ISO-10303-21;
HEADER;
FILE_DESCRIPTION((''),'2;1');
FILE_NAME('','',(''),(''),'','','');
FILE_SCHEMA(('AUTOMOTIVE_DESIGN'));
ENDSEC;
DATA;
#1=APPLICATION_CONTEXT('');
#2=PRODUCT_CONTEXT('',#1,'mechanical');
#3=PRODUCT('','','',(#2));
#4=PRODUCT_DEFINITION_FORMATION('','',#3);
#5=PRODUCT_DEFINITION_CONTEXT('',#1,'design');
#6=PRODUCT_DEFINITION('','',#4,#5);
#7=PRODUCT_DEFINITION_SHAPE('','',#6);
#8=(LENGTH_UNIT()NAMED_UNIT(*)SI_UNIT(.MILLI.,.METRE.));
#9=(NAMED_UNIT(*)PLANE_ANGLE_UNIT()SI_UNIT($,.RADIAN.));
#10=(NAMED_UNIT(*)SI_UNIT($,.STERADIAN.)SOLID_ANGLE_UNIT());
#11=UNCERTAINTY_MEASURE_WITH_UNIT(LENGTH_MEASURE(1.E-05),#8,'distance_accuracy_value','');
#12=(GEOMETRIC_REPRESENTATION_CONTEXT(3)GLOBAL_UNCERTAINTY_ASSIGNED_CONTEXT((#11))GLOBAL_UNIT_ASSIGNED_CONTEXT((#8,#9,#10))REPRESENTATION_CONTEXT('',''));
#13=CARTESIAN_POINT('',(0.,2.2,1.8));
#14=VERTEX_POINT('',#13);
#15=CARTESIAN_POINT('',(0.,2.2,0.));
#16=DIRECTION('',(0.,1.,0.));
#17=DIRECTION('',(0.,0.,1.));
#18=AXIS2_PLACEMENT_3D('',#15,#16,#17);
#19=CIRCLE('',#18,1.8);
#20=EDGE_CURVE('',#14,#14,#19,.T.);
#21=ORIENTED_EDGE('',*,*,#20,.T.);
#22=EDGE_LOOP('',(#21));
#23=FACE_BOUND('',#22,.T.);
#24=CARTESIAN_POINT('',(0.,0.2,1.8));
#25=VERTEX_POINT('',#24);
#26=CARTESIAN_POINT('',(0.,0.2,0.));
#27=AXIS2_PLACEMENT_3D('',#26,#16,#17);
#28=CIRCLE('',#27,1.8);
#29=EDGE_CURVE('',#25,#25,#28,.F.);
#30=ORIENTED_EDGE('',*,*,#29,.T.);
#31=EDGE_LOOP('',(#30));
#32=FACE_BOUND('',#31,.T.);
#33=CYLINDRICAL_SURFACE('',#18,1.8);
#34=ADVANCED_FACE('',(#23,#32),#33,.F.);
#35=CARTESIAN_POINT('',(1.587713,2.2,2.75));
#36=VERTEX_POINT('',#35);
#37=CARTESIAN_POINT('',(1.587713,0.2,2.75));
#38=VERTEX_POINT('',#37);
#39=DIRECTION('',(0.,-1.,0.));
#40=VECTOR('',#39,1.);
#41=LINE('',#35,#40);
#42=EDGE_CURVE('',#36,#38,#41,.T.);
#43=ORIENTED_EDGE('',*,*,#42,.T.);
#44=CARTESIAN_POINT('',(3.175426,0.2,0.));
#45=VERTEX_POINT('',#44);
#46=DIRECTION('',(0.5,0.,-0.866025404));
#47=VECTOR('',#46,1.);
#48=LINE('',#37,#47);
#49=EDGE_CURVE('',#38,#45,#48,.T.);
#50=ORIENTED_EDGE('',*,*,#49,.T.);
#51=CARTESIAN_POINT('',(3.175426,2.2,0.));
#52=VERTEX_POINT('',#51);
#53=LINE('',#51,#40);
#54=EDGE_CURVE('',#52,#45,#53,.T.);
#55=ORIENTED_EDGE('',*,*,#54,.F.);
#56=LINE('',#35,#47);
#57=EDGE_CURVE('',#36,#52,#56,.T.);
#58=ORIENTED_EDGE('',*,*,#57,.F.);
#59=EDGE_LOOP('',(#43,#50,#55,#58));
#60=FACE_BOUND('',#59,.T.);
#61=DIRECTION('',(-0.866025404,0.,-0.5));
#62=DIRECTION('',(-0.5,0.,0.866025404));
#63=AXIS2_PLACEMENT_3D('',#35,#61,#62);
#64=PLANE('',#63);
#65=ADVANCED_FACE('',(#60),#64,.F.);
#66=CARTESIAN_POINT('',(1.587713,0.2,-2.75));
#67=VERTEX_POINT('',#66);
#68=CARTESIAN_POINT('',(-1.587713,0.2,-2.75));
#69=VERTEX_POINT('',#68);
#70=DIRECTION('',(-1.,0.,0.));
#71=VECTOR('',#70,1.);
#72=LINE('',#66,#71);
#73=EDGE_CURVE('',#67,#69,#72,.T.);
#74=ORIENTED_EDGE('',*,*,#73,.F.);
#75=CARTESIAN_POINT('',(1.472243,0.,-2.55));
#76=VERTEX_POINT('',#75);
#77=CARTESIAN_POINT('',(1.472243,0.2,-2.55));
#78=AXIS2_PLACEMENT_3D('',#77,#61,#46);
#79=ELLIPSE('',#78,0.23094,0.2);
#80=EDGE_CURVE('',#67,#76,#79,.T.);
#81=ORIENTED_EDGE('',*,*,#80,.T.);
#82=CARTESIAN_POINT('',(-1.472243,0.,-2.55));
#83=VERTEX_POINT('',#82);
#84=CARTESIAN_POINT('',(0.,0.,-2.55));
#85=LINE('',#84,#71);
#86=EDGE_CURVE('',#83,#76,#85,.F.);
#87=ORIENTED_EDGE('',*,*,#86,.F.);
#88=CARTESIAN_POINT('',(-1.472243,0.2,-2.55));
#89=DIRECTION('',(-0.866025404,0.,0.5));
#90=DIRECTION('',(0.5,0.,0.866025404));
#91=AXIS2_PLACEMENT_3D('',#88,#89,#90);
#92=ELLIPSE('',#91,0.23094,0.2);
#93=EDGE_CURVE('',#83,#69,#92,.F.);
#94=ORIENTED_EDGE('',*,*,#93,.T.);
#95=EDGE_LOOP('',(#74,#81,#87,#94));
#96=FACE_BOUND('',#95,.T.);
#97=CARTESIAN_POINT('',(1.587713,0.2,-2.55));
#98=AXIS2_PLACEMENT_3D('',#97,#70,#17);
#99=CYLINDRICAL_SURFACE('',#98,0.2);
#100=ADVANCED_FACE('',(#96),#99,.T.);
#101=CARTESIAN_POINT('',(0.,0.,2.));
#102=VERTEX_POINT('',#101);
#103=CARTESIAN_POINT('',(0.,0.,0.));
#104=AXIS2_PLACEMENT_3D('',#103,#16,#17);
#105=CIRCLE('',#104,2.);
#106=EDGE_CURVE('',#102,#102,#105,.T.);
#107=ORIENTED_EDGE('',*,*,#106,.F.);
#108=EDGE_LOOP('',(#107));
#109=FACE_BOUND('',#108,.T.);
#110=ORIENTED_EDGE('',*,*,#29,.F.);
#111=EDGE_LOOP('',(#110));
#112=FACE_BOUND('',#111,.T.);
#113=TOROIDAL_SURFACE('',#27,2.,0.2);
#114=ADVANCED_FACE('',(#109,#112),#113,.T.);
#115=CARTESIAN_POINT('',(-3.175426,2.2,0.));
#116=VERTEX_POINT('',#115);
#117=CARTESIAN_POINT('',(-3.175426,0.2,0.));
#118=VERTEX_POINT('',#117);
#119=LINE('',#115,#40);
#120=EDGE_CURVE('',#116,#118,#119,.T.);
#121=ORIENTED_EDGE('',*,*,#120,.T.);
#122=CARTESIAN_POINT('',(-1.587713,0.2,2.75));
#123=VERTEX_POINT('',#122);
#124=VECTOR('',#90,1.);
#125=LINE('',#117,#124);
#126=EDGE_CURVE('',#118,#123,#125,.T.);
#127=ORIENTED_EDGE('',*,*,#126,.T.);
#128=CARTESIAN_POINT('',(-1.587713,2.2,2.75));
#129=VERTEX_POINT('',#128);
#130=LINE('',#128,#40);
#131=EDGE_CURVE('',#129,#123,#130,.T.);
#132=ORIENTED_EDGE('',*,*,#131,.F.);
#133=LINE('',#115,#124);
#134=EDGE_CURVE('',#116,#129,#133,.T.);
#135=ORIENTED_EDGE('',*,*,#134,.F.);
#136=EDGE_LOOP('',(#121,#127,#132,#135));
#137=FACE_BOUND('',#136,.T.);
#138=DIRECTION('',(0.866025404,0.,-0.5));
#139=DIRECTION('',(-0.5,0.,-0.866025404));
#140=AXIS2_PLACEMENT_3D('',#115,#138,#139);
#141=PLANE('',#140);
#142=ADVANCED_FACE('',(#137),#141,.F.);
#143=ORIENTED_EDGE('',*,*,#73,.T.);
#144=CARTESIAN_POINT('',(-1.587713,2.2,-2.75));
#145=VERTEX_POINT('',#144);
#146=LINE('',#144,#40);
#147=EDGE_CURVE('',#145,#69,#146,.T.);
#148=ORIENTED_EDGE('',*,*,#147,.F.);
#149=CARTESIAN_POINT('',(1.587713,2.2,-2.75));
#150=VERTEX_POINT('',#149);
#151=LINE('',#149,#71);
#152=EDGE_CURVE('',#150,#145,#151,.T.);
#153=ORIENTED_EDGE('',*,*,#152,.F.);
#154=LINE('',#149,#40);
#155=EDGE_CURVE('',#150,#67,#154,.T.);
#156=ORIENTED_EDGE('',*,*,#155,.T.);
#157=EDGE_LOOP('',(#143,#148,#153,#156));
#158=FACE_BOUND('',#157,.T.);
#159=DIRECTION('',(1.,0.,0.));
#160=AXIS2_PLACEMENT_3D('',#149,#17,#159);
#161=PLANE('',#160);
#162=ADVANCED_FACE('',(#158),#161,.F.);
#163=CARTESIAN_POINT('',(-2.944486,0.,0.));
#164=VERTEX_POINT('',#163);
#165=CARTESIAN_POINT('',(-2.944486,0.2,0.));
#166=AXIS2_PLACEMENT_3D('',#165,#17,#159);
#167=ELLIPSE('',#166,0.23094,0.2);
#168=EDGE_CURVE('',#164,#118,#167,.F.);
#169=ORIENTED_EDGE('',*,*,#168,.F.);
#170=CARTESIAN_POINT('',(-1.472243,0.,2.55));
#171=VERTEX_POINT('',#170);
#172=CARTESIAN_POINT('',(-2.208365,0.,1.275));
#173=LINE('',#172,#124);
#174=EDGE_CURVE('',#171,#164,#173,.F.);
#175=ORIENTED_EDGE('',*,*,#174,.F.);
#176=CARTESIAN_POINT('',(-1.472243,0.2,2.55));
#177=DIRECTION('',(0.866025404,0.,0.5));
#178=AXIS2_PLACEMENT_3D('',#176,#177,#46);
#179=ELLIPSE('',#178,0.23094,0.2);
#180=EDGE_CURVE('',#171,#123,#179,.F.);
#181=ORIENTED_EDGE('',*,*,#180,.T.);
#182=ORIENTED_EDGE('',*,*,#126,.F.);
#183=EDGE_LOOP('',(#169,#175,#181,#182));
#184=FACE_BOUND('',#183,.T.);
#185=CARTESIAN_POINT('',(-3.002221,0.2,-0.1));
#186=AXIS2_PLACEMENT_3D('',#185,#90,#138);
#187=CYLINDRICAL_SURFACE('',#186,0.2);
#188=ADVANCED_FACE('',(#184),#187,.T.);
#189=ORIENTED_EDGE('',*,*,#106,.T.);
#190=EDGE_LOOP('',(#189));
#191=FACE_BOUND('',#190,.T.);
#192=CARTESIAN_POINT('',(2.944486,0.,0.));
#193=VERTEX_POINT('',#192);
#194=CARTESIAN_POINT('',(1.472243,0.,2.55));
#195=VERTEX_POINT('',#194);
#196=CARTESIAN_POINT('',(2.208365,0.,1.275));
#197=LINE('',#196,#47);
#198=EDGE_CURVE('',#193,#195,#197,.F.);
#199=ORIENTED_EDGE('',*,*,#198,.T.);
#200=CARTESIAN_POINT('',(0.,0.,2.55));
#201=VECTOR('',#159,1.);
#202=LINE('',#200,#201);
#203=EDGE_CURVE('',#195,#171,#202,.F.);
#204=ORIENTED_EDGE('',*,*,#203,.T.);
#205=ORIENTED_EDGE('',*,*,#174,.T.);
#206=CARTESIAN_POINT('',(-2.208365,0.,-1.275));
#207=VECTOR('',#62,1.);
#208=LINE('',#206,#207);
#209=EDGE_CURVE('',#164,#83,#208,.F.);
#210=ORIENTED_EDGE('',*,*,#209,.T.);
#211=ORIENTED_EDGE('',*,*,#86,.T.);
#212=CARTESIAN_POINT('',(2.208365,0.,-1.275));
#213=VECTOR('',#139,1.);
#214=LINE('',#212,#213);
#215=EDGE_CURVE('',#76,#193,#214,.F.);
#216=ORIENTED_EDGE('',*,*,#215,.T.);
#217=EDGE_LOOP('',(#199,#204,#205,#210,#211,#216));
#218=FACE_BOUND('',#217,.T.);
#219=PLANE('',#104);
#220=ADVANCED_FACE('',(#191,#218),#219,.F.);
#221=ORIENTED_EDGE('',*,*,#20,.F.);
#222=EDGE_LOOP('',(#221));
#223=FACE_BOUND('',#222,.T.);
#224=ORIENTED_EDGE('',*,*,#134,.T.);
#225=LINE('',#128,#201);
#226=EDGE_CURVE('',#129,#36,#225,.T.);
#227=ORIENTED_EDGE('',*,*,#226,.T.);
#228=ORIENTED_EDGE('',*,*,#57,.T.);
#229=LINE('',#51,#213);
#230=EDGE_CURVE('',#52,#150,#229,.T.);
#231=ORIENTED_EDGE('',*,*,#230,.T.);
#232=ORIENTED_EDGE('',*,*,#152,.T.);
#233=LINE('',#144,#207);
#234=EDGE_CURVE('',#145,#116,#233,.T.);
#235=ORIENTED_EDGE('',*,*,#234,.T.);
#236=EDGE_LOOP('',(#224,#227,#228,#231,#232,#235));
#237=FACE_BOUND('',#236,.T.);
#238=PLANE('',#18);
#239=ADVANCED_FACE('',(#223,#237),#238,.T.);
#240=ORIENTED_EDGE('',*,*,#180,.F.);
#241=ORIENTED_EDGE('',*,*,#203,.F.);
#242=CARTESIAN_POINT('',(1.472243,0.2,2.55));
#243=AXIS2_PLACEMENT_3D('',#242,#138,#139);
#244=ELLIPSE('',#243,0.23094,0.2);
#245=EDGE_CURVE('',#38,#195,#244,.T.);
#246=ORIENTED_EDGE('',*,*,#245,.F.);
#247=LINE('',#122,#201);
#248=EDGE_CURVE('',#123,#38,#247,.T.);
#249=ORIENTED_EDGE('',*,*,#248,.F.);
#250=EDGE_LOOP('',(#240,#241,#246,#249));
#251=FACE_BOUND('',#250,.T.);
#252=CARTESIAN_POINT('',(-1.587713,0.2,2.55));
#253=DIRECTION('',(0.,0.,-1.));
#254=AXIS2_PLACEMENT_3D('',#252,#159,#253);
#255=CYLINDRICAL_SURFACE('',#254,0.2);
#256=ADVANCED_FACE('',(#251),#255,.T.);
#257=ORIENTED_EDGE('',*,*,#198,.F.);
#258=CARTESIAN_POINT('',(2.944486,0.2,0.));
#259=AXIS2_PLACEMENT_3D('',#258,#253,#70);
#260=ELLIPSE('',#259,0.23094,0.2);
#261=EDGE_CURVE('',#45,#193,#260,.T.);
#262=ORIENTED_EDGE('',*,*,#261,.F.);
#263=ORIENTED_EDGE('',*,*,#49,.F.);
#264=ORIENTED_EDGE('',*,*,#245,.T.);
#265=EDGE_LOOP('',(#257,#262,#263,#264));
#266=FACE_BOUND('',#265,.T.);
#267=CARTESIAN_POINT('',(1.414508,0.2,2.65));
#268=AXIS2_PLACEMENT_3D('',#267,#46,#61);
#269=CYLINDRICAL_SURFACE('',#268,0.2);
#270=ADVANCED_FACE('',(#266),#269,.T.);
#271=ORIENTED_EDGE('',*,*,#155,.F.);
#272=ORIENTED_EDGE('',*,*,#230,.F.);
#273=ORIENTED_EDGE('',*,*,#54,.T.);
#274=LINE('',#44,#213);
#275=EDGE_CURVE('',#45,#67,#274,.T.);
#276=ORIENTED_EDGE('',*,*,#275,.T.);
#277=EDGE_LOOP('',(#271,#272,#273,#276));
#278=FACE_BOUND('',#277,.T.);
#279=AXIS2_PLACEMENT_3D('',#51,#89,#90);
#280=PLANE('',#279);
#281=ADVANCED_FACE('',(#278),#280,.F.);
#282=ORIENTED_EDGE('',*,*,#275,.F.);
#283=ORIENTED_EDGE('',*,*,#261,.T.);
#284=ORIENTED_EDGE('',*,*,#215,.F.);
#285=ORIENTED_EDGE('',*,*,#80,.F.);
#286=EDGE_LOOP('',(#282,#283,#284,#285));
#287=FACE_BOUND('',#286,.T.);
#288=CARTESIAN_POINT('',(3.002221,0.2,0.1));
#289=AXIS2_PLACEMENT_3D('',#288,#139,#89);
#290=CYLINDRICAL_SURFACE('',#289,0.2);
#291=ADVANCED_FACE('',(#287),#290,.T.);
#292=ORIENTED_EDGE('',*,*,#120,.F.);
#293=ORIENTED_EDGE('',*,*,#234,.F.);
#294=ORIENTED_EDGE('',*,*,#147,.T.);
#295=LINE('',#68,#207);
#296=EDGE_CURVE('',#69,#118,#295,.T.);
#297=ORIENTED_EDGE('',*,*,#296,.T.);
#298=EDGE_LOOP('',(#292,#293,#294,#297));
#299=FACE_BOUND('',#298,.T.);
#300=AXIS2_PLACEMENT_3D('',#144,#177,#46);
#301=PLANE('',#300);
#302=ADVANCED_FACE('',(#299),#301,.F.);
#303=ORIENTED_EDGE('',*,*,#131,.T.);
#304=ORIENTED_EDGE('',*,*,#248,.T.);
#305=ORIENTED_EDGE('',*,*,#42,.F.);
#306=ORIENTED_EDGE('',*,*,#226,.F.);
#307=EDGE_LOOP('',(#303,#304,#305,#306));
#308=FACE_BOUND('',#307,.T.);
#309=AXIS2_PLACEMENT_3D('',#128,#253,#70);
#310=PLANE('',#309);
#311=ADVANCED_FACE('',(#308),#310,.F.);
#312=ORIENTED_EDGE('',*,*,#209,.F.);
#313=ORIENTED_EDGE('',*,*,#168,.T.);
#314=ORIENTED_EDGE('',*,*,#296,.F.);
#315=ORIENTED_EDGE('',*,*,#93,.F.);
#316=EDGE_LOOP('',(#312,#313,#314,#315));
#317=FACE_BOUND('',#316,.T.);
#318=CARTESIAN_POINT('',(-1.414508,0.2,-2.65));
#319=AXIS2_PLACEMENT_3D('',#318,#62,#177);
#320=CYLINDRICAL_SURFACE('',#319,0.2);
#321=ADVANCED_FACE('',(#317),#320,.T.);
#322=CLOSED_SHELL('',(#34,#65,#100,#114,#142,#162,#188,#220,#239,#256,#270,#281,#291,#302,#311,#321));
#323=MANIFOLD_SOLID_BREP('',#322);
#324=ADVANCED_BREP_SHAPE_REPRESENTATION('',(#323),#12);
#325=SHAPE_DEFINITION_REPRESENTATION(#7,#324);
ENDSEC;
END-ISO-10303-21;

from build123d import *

# Parameters (mm, degrees)
BOSS_EXTRU_1_DEPTH   = 2.2
D_GAGEMENT_M31_D     = 3.6
D_GAGEMENT_M31_DEPTH = 2.2
D_GAGEMENT_M31_TIP   = 1.081549114
CONG_1_R             = 0.2


with BuildPart() as part:
    # Esquisse1 → Boss.-Extru.1 (new body)
    with BuildSketch(Plane(origin=(0, 0, 0), x_dir=(1, 0, 0), z_dir=(0, 1, 0))):
        Polygon((1.58771324, 2.75), (-1.58771324, 2.75), (-3.175426481, 0), (-1.58771324, -2.75), (1.58771324, -2.75), (3.175426481, 0), align=None)
    extrude(amount=BOSS_EXTRU_1_DEPTH)

    # Dégagement M31
    with Locations(Plane(origin=(0, 2.2, 0), x_dir=(1, 0, 0), z_dir=(0, 1, 0))):
        with Locations((0, 0)):
            Hole(D_GAGEMENT_M31_D / 2, depth=D_GAGEMENT_M31_DEPTH)
            with Locations((0, 0, -(D_GAGEMENT_M31_DEPTH + D_GAGEMENT_M31_TIP / 2))):  # 118° drill point
                Cone(0, D_GAGEMENT_M31_D / 2, D_GAGEMENT_M31_TIP, mode=Mode.SUBTRACT)

    # Congé1
    cong_1_edges = [part.edges().sort_by_distance(p)[0] for p in [
        (1.8, 0, 0),
        (2.38156986, 0, 1.375),
        (0, 0, 2.75),
        (-2.38156986, 0, 1.375),
        (-2.38156986, 0, -1.375),
        (0, 0, -2.75),
        (2.38156986, 0, -1.375),
    ]]
    fillet(cong_1_edges, radius=CONG_1_R)


solid = part.part
